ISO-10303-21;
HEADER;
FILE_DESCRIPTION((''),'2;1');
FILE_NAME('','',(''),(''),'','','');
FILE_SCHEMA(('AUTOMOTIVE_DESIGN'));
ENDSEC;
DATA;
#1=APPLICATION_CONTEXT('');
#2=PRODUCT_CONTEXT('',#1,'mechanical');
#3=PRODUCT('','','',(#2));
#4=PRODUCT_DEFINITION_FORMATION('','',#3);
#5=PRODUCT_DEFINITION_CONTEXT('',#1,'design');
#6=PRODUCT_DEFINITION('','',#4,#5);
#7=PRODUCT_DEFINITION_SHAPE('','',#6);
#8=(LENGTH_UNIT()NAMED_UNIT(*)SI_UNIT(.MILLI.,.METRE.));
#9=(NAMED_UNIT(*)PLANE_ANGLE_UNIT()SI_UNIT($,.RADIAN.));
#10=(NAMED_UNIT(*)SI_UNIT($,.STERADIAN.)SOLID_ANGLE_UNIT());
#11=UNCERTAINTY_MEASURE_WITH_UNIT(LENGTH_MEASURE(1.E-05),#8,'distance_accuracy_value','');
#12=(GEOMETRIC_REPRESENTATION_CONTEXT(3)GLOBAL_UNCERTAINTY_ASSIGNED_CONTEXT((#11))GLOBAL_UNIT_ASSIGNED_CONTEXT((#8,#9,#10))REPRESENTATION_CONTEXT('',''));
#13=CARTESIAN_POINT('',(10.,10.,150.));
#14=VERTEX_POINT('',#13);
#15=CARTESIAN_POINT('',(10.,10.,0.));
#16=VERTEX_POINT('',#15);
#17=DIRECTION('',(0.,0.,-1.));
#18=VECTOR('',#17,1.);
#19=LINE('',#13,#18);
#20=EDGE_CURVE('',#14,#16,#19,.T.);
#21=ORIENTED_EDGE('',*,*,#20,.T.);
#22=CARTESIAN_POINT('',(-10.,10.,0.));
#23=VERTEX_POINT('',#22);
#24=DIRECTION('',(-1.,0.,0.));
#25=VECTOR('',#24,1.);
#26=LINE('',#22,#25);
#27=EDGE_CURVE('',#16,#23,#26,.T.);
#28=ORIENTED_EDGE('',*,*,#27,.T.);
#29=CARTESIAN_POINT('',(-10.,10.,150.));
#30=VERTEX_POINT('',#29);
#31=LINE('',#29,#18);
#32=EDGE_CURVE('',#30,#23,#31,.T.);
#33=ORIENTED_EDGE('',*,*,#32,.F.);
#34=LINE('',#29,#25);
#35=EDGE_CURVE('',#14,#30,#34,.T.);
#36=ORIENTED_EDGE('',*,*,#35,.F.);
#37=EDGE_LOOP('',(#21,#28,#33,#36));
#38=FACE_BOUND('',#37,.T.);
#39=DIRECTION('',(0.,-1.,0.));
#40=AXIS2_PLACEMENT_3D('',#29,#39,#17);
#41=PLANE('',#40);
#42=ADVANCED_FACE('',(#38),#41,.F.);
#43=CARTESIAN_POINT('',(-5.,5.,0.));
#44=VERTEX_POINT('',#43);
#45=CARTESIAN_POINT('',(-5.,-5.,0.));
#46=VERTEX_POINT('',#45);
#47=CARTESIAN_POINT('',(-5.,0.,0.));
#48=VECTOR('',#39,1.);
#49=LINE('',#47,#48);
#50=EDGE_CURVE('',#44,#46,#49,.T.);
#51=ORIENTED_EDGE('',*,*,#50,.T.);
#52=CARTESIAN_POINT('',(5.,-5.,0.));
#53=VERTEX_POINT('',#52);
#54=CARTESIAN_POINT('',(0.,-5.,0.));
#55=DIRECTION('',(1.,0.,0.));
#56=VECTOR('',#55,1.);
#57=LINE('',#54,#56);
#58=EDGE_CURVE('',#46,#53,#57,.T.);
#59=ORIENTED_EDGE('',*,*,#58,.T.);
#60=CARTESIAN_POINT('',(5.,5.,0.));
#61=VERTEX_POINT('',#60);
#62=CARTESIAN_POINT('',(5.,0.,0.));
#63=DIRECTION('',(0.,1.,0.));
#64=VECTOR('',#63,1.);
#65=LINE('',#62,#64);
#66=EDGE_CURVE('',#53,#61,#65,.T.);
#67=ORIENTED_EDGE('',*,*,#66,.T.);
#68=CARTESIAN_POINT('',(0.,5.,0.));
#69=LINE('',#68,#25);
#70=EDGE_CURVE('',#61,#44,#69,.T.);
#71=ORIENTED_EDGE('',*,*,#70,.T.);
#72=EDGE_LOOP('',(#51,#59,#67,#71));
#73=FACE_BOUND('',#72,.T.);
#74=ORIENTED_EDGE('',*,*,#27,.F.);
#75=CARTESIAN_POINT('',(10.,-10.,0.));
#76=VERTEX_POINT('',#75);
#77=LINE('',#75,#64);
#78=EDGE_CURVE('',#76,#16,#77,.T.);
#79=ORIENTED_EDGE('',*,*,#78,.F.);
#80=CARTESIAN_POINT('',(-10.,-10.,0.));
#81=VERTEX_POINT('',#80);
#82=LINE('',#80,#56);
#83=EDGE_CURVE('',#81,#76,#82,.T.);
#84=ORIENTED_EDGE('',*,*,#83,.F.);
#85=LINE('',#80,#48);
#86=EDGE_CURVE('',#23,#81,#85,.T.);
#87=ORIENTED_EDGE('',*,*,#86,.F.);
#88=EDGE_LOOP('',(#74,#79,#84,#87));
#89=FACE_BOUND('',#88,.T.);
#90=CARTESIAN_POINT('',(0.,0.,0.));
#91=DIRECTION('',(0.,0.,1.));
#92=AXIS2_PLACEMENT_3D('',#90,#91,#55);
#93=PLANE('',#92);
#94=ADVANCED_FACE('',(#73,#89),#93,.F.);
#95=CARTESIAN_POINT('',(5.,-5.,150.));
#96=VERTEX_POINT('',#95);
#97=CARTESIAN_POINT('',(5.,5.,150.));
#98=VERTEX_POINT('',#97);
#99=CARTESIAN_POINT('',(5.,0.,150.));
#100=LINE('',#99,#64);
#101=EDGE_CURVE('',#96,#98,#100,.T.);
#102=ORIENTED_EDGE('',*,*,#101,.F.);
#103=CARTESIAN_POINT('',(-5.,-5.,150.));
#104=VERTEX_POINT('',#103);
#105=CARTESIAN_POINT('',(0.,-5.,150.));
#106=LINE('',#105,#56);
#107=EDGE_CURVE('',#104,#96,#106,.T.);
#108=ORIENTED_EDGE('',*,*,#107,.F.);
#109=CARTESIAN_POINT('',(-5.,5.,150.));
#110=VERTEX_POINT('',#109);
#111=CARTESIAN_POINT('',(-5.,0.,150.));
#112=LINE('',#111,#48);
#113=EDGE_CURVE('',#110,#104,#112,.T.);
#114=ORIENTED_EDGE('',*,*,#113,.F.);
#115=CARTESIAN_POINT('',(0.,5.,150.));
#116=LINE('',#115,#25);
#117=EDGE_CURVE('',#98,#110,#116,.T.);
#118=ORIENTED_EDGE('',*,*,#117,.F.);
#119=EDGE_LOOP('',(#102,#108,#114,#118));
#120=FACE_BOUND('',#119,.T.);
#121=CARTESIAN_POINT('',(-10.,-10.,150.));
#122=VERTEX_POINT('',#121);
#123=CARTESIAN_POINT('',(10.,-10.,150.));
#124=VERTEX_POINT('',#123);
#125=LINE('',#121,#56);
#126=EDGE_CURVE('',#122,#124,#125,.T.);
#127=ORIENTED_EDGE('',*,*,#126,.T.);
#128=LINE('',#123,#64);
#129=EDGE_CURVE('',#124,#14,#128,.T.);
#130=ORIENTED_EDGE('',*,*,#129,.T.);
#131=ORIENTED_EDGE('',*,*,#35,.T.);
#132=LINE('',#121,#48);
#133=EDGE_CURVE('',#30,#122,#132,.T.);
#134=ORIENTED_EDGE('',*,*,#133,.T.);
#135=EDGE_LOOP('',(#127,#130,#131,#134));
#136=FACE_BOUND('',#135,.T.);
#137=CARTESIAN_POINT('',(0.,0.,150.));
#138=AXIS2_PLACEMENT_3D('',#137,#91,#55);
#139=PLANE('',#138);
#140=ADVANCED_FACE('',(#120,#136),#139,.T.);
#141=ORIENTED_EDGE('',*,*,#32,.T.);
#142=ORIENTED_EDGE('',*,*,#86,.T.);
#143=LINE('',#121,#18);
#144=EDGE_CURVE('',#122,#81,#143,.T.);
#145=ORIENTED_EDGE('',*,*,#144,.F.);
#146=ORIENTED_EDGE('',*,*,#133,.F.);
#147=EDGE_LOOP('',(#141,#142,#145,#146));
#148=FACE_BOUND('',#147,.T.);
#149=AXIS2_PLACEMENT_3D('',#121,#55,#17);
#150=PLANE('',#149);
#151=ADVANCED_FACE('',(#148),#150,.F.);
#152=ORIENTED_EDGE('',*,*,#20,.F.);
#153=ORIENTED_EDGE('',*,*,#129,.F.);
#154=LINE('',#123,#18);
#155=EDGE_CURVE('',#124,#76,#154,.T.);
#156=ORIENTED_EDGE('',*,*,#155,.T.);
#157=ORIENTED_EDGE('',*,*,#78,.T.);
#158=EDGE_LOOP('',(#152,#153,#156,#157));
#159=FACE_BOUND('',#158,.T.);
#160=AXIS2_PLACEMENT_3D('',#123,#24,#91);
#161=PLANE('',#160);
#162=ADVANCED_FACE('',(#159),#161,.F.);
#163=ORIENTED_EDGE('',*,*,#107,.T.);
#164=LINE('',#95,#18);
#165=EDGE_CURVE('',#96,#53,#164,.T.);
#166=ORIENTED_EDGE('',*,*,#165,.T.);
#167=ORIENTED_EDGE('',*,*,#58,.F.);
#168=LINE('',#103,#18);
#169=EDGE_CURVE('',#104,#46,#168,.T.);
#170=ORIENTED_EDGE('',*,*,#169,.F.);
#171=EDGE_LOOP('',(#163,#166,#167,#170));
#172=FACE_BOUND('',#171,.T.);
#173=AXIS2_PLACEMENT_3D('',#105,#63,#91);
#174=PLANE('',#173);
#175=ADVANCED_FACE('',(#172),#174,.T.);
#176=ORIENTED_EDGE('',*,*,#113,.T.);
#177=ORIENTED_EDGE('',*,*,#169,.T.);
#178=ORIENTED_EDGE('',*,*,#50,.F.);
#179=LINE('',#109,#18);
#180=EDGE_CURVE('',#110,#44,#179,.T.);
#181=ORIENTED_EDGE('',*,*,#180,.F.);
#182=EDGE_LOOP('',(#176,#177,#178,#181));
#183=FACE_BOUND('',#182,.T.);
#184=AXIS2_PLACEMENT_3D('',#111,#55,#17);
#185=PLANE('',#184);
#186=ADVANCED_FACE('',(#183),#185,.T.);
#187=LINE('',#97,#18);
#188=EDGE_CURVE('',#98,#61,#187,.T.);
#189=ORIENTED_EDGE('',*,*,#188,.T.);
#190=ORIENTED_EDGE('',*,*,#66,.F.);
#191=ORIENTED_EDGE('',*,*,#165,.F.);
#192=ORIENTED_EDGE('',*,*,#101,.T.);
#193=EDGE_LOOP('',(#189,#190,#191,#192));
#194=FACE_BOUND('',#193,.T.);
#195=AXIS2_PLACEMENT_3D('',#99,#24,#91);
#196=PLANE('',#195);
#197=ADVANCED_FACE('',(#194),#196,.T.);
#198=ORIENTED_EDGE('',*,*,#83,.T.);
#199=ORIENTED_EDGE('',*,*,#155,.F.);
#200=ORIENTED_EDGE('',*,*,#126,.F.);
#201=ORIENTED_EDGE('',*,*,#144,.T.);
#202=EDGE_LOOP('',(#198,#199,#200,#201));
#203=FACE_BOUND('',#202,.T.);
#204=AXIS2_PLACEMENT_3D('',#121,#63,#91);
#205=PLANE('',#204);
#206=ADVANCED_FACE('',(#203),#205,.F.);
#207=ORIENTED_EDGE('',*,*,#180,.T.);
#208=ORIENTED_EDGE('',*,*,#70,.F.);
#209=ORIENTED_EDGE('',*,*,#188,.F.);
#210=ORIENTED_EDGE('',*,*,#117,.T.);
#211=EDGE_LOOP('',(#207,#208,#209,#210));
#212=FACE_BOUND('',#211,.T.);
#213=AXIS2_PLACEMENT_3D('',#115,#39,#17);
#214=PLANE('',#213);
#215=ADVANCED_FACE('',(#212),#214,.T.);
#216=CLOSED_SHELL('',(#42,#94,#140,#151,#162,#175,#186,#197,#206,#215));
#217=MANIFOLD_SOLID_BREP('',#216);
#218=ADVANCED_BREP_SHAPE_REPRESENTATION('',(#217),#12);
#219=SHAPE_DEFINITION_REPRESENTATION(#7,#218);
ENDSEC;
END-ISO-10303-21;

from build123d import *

# Parameters (mm, degrees)
SKETCH1_W           = 20
SKETCH1_H           = 20
SKETCH1_W_2         = 10
SKETCH1_H_2         = 10
EXTRUDE_THIN1_DEPTH = 150


with BuildPart() as part:
    # Sketch1 → Extrude-Thin1 (new body)
    with BuildSketch(Plane.XY):
        Rectangle(SKETCH1_W, SKETCH1_H)
        Rectangle(SKETCH1_W_2, SKETCH1_H_2, mode=Mode.SUBTRACT)
    extrude(amount=EXTRUDE_THIN1_DEPTH)


solid = part.part
